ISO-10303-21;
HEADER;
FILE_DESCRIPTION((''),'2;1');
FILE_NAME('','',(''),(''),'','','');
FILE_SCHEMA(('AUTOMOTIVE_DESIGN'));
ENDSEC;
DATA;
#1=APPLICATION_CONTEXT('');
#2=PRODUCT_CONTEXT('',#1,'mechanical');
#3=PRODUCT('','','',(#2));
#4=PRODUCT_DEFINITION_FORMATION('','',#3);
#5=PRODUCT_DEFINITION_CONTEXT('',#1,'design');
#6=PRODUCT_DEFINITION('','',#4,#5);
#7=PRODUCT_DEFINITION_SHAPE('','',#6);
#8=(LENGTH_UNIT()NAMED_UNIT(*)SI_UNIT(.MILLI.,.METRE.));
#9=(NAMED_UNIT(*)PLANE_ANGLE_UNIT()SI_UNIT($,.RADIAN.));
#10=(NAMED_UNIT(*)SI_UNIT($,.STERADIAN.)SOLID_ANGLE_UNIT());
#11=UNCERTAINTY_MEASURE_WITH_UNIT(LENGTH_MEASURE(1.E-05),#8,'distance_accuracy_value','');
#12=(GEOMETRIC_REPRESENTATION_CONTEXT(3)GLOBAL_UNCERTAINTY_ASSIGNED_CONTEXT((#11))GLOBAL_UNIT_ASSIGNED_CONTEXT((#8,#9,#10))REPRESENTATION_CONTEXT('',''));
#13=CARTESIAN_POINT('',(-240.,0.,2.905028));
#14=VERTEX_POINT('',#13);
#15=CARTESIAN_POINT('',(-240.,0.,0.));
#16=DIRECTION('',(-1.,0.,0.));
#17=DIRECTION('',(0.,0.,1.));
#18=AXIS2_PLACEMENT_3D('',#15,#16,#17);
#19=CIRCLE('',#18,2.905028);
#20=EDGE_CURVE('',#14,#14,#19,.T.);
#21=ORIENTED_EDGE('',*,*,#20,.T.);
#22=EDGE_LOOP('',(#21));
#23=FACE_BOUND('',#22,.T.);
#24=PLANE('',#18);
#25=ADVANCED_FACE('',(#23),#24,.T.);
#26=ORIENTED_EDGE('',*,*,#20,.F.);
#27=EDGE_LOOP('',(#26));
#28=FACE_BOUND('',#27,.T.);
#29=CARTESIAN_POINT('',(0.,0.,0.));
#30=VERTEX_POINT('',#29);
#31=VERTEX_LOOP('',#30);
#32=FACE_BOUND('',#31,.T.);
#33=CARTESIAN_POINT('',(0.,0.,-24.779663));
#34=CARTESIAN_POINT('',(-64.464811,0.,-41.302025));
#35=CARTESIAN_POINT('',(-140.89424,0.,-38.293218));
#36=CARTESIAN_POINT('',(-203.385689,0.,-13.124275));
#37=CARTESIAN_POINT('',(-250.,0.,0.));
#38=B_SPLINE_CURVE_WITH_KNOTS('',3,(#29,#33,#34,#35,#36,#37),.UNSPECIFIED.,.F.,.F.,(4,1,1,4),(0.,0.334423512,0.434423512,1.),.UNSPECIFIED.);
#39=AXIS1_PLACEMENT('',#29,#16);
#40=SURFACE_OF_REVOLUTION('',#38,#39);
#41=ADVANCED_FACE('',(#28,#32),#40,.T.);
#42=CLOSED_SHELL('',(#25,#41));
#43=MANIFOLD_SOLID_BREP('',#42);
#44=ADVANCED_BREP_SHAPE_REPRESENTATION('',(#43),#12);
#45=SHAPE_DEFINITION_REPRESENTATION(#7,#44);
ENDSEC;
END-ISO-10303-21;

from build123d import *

# Parameters (mm, degrees)
ESQUISSE2_W             = 41.670907092
ESQUISSE2_H             = 35.554076694
ENL_V_MAT_EXTRU_1_DEPTH = 56


with BuildPart() as part:
    # Esquisse1 → Révolution1 (revolve)
    with BuildSketch(Plane(origin=(0, 0, 0), x_dir=(1, 0, 0), z_dir=(0, 1, 0))):
        with BuildLine():
            Line((-250, 0), (0, 0))
            add(Edge.make_bspline(
                [(0, 0), (0, 24.779663363), (-64.464810782, 41.302024754), (-140.894240353, 38.293217904), (-203.385688688, 13.124275478), (-250, 0)],
                knots=[0, 0, 0, 0, 0.334423512, 0.434423512, 1, 1, 1, 1], degree=3))
        make_face()
    revolve(axis=Axis((0, 0, 0), (1, 0, 0)))

    # Esquisse2 → Enlèv. mat.-Extru.1 (cut)
    with BuildSketch(Plane(origin=(-240, 0, 0), x_dir=(0, 0, -1), z_dir=(1, 0, 0))):
        Rectangle(ESQUISSE2_W, ESQUISSE2_H)
    extrude(amount=-ENL_V_MAT_EXTRU_1_DEPTH, mode=Mode.SUBTRACT)


solid = part.part
